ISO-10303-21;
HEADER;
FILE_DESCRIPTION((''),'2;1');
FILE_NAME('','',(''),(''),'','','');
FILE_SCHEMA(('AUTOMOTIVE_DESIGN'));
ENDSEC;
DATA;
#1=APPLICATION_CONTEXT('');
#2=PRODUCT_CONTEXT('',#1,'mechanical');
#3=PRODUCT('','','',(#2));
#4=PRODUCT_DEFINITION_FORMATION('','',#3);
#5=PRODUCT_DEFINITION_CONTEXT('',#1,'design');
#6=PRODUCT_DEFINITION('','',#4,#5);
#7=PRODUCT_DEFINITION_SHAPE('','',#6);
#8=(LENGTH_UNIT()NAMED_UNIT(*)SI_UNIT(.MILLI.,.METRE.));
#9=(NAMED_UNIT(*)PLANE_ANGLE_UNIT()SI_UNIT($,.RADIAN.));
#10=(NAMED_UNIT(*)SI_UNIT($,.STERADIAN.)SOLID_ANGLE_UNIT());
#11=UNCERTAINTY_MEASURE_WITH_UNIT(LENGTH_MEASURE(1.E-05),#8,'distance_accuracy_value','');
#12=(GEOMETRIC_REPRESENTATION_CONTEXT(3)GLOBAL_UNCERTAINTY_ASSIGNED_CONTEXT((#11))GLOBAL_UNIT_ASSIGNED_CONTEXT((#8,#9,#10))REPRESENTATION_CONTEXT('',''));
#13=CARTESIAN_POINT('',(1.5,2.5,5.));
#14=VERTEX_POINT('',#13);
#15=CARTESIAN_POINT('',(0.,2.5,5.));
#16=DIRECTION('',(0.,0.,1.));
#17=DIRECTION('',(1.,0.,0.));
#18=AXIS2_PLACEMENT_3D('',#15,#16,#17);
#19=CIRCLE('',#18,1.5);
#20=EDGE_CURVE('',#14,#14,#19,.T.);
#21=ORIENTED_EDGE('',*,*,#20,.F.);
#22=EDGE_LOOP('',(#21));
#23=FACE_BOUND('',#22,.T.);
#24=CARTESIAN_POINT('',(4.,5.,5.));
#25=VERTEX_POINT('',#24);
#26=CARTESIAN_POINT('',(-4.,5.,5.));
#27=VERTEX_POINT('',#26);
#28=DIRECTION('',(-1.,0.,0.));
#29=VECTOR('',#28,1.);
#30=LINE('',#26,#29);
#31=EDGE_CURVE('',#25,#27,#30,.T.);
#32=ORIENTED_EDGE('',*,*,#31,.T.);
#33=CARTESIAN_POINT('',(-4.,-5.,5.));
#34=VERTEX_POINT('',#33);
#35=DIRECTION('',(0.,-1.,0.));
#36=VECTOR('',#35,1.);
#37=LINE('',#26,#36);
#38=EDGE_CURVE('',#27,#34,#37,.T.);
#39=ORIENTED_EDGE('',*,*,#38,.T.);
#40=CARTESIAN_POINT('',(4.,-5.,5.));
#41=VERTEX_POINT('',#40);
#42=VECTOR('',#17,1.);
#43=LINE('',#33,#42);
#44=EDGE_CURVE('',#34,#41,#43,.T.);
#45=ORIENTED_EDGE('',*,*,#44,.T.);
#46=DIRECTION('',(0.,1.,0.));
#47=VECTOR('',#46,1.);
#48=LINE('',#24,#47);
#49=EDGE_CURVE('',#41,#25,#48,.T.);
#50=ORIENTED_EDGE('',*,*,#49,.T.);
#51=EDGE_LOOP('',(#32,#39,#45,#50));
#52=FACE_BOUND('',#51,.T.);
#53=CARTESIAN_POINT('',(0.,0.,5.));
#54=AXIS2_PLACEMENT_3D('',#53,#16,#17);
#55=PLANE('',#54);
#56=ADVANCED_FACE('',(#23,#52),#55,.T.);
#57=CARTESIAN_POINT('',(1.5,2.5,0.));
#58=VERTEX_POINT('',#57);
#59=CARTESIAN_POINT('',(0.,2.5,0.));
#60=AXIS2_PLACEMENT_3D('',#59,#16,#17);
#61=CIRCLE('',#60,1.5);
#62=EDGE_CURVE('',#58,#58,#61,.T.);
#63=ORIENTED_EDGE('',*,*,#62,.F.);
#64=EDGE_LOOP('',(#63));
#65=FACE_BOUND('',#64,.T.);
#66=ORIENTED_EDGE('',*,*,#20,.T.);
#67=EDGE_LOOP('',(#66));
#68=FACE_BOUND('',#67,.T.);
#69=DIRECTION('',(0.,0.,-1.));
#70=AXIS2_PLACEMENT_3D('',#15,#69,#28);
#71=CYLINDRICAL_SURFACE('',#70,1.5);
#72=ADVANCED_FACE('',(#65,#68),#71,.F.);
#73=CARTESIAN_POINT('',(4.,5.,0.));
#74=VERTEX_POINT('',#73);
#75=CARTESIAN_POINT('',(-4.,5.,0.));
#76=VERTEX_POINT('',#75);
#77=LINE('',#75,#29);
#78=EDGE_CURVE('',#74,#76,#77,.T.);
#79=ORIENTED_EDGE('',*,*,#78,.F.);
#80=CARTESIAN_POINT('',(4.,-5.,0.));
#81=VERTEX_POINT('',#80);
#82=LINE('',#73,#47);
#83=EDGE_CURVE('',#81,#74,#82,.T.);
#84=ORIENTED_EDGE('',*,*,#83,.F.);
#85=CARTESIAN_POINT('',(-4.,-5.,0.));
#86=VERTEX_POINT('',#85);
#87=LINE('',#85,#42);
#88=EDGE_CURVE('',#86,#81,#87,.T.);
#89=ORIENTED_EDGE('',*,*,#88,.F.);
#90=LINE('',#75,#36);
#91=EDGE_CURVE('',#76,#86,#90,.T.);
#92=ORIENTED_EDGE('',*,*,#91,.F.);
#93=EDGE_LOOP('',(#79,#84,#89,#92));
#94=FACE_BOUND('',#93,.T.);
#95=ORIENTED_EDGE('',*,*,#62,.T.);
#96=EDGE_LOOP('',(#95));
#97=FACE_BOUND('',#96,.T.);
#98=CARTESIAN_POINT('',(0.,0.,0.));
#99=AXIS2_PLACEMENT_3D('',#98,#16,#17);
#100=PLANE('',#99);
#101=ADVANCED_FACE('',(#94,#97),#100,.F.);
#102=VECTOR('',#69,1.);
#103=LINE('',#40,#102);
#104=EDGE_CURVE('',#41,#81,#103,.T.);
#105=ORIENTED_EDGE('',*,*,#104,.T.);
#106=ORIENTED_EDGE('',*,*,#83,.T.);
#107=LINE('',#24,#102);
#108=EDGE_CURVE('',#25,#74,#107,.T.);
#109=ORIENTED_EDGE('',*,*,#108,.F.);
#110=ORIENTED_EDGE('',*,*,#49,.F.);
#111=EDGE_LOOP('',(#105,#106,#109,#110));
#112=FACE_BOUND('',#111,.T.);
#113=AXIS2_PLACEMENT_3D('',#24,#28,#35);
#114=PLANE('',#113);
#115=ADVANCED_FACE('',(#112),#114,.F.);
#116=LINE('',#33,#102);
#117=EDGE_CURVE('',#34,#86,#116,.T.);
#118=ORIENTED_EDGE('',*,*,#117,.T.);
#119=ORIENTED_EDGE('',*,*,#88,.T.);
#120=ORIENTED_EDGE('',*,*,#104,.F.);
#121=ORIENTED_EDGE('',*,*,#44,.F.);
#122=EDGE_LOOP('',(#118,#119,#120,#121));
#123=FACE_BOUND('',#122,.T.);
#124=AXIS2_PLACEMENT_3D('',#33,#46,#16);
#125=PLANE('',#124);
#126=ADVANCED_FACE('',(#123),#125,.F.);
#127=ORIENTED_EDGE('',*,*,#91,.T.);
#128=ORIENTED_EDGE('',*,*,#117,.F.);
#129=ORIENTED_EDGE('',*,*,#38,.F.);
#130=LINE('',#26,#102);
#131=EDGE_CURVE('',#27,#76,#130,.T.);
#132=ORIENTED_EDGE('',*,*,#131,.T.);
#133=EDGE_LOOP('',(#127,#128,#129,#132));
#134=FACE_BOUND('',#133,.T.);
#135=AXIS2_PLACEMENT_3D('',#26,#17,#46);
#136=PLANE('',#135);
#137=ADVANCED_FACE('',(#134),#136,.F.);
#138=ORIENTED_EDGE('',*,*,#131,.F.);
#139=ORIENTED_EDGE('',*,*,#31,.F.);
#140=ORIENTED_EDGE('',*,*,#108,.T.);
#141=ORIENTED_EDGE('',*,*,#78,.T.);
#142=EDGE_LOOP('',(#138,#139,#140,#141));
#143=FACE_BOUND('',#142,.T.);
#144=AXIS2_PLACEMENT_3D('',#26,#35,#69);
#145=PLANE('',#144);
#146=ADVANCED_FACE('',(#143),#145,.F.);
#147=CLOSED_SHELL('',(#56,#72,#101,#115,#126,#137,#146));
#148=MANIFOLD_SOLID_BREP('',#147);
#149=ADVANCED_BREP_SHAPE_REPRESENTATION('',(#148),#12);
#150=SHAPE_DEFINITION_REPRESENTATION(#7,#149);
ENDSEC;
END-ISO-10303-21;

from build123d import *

# Parameters (mm, degrees)
ESQUISSE1_W        = 8
ESQUISSE1_H        = 10
ESQUISSE1_R        = 1.5
BOSS_EXTRU_1_DEPTH = 5


with BuildPart() as part:
    # Esquisse1 → Boss.-Extru.1 (new body)
    with BuildSketch(Plane.XY):
        Rectangle(ESQUISSE1_W, ESQUISSE1_H)
        with Locations((0, 2.5)):
            Circle(ESQUISSE1_R, mode=Mode.SUBTRACT)
    extrude(amount=BOSS_EXTRU_1_DEPTH)


solid = part.part
